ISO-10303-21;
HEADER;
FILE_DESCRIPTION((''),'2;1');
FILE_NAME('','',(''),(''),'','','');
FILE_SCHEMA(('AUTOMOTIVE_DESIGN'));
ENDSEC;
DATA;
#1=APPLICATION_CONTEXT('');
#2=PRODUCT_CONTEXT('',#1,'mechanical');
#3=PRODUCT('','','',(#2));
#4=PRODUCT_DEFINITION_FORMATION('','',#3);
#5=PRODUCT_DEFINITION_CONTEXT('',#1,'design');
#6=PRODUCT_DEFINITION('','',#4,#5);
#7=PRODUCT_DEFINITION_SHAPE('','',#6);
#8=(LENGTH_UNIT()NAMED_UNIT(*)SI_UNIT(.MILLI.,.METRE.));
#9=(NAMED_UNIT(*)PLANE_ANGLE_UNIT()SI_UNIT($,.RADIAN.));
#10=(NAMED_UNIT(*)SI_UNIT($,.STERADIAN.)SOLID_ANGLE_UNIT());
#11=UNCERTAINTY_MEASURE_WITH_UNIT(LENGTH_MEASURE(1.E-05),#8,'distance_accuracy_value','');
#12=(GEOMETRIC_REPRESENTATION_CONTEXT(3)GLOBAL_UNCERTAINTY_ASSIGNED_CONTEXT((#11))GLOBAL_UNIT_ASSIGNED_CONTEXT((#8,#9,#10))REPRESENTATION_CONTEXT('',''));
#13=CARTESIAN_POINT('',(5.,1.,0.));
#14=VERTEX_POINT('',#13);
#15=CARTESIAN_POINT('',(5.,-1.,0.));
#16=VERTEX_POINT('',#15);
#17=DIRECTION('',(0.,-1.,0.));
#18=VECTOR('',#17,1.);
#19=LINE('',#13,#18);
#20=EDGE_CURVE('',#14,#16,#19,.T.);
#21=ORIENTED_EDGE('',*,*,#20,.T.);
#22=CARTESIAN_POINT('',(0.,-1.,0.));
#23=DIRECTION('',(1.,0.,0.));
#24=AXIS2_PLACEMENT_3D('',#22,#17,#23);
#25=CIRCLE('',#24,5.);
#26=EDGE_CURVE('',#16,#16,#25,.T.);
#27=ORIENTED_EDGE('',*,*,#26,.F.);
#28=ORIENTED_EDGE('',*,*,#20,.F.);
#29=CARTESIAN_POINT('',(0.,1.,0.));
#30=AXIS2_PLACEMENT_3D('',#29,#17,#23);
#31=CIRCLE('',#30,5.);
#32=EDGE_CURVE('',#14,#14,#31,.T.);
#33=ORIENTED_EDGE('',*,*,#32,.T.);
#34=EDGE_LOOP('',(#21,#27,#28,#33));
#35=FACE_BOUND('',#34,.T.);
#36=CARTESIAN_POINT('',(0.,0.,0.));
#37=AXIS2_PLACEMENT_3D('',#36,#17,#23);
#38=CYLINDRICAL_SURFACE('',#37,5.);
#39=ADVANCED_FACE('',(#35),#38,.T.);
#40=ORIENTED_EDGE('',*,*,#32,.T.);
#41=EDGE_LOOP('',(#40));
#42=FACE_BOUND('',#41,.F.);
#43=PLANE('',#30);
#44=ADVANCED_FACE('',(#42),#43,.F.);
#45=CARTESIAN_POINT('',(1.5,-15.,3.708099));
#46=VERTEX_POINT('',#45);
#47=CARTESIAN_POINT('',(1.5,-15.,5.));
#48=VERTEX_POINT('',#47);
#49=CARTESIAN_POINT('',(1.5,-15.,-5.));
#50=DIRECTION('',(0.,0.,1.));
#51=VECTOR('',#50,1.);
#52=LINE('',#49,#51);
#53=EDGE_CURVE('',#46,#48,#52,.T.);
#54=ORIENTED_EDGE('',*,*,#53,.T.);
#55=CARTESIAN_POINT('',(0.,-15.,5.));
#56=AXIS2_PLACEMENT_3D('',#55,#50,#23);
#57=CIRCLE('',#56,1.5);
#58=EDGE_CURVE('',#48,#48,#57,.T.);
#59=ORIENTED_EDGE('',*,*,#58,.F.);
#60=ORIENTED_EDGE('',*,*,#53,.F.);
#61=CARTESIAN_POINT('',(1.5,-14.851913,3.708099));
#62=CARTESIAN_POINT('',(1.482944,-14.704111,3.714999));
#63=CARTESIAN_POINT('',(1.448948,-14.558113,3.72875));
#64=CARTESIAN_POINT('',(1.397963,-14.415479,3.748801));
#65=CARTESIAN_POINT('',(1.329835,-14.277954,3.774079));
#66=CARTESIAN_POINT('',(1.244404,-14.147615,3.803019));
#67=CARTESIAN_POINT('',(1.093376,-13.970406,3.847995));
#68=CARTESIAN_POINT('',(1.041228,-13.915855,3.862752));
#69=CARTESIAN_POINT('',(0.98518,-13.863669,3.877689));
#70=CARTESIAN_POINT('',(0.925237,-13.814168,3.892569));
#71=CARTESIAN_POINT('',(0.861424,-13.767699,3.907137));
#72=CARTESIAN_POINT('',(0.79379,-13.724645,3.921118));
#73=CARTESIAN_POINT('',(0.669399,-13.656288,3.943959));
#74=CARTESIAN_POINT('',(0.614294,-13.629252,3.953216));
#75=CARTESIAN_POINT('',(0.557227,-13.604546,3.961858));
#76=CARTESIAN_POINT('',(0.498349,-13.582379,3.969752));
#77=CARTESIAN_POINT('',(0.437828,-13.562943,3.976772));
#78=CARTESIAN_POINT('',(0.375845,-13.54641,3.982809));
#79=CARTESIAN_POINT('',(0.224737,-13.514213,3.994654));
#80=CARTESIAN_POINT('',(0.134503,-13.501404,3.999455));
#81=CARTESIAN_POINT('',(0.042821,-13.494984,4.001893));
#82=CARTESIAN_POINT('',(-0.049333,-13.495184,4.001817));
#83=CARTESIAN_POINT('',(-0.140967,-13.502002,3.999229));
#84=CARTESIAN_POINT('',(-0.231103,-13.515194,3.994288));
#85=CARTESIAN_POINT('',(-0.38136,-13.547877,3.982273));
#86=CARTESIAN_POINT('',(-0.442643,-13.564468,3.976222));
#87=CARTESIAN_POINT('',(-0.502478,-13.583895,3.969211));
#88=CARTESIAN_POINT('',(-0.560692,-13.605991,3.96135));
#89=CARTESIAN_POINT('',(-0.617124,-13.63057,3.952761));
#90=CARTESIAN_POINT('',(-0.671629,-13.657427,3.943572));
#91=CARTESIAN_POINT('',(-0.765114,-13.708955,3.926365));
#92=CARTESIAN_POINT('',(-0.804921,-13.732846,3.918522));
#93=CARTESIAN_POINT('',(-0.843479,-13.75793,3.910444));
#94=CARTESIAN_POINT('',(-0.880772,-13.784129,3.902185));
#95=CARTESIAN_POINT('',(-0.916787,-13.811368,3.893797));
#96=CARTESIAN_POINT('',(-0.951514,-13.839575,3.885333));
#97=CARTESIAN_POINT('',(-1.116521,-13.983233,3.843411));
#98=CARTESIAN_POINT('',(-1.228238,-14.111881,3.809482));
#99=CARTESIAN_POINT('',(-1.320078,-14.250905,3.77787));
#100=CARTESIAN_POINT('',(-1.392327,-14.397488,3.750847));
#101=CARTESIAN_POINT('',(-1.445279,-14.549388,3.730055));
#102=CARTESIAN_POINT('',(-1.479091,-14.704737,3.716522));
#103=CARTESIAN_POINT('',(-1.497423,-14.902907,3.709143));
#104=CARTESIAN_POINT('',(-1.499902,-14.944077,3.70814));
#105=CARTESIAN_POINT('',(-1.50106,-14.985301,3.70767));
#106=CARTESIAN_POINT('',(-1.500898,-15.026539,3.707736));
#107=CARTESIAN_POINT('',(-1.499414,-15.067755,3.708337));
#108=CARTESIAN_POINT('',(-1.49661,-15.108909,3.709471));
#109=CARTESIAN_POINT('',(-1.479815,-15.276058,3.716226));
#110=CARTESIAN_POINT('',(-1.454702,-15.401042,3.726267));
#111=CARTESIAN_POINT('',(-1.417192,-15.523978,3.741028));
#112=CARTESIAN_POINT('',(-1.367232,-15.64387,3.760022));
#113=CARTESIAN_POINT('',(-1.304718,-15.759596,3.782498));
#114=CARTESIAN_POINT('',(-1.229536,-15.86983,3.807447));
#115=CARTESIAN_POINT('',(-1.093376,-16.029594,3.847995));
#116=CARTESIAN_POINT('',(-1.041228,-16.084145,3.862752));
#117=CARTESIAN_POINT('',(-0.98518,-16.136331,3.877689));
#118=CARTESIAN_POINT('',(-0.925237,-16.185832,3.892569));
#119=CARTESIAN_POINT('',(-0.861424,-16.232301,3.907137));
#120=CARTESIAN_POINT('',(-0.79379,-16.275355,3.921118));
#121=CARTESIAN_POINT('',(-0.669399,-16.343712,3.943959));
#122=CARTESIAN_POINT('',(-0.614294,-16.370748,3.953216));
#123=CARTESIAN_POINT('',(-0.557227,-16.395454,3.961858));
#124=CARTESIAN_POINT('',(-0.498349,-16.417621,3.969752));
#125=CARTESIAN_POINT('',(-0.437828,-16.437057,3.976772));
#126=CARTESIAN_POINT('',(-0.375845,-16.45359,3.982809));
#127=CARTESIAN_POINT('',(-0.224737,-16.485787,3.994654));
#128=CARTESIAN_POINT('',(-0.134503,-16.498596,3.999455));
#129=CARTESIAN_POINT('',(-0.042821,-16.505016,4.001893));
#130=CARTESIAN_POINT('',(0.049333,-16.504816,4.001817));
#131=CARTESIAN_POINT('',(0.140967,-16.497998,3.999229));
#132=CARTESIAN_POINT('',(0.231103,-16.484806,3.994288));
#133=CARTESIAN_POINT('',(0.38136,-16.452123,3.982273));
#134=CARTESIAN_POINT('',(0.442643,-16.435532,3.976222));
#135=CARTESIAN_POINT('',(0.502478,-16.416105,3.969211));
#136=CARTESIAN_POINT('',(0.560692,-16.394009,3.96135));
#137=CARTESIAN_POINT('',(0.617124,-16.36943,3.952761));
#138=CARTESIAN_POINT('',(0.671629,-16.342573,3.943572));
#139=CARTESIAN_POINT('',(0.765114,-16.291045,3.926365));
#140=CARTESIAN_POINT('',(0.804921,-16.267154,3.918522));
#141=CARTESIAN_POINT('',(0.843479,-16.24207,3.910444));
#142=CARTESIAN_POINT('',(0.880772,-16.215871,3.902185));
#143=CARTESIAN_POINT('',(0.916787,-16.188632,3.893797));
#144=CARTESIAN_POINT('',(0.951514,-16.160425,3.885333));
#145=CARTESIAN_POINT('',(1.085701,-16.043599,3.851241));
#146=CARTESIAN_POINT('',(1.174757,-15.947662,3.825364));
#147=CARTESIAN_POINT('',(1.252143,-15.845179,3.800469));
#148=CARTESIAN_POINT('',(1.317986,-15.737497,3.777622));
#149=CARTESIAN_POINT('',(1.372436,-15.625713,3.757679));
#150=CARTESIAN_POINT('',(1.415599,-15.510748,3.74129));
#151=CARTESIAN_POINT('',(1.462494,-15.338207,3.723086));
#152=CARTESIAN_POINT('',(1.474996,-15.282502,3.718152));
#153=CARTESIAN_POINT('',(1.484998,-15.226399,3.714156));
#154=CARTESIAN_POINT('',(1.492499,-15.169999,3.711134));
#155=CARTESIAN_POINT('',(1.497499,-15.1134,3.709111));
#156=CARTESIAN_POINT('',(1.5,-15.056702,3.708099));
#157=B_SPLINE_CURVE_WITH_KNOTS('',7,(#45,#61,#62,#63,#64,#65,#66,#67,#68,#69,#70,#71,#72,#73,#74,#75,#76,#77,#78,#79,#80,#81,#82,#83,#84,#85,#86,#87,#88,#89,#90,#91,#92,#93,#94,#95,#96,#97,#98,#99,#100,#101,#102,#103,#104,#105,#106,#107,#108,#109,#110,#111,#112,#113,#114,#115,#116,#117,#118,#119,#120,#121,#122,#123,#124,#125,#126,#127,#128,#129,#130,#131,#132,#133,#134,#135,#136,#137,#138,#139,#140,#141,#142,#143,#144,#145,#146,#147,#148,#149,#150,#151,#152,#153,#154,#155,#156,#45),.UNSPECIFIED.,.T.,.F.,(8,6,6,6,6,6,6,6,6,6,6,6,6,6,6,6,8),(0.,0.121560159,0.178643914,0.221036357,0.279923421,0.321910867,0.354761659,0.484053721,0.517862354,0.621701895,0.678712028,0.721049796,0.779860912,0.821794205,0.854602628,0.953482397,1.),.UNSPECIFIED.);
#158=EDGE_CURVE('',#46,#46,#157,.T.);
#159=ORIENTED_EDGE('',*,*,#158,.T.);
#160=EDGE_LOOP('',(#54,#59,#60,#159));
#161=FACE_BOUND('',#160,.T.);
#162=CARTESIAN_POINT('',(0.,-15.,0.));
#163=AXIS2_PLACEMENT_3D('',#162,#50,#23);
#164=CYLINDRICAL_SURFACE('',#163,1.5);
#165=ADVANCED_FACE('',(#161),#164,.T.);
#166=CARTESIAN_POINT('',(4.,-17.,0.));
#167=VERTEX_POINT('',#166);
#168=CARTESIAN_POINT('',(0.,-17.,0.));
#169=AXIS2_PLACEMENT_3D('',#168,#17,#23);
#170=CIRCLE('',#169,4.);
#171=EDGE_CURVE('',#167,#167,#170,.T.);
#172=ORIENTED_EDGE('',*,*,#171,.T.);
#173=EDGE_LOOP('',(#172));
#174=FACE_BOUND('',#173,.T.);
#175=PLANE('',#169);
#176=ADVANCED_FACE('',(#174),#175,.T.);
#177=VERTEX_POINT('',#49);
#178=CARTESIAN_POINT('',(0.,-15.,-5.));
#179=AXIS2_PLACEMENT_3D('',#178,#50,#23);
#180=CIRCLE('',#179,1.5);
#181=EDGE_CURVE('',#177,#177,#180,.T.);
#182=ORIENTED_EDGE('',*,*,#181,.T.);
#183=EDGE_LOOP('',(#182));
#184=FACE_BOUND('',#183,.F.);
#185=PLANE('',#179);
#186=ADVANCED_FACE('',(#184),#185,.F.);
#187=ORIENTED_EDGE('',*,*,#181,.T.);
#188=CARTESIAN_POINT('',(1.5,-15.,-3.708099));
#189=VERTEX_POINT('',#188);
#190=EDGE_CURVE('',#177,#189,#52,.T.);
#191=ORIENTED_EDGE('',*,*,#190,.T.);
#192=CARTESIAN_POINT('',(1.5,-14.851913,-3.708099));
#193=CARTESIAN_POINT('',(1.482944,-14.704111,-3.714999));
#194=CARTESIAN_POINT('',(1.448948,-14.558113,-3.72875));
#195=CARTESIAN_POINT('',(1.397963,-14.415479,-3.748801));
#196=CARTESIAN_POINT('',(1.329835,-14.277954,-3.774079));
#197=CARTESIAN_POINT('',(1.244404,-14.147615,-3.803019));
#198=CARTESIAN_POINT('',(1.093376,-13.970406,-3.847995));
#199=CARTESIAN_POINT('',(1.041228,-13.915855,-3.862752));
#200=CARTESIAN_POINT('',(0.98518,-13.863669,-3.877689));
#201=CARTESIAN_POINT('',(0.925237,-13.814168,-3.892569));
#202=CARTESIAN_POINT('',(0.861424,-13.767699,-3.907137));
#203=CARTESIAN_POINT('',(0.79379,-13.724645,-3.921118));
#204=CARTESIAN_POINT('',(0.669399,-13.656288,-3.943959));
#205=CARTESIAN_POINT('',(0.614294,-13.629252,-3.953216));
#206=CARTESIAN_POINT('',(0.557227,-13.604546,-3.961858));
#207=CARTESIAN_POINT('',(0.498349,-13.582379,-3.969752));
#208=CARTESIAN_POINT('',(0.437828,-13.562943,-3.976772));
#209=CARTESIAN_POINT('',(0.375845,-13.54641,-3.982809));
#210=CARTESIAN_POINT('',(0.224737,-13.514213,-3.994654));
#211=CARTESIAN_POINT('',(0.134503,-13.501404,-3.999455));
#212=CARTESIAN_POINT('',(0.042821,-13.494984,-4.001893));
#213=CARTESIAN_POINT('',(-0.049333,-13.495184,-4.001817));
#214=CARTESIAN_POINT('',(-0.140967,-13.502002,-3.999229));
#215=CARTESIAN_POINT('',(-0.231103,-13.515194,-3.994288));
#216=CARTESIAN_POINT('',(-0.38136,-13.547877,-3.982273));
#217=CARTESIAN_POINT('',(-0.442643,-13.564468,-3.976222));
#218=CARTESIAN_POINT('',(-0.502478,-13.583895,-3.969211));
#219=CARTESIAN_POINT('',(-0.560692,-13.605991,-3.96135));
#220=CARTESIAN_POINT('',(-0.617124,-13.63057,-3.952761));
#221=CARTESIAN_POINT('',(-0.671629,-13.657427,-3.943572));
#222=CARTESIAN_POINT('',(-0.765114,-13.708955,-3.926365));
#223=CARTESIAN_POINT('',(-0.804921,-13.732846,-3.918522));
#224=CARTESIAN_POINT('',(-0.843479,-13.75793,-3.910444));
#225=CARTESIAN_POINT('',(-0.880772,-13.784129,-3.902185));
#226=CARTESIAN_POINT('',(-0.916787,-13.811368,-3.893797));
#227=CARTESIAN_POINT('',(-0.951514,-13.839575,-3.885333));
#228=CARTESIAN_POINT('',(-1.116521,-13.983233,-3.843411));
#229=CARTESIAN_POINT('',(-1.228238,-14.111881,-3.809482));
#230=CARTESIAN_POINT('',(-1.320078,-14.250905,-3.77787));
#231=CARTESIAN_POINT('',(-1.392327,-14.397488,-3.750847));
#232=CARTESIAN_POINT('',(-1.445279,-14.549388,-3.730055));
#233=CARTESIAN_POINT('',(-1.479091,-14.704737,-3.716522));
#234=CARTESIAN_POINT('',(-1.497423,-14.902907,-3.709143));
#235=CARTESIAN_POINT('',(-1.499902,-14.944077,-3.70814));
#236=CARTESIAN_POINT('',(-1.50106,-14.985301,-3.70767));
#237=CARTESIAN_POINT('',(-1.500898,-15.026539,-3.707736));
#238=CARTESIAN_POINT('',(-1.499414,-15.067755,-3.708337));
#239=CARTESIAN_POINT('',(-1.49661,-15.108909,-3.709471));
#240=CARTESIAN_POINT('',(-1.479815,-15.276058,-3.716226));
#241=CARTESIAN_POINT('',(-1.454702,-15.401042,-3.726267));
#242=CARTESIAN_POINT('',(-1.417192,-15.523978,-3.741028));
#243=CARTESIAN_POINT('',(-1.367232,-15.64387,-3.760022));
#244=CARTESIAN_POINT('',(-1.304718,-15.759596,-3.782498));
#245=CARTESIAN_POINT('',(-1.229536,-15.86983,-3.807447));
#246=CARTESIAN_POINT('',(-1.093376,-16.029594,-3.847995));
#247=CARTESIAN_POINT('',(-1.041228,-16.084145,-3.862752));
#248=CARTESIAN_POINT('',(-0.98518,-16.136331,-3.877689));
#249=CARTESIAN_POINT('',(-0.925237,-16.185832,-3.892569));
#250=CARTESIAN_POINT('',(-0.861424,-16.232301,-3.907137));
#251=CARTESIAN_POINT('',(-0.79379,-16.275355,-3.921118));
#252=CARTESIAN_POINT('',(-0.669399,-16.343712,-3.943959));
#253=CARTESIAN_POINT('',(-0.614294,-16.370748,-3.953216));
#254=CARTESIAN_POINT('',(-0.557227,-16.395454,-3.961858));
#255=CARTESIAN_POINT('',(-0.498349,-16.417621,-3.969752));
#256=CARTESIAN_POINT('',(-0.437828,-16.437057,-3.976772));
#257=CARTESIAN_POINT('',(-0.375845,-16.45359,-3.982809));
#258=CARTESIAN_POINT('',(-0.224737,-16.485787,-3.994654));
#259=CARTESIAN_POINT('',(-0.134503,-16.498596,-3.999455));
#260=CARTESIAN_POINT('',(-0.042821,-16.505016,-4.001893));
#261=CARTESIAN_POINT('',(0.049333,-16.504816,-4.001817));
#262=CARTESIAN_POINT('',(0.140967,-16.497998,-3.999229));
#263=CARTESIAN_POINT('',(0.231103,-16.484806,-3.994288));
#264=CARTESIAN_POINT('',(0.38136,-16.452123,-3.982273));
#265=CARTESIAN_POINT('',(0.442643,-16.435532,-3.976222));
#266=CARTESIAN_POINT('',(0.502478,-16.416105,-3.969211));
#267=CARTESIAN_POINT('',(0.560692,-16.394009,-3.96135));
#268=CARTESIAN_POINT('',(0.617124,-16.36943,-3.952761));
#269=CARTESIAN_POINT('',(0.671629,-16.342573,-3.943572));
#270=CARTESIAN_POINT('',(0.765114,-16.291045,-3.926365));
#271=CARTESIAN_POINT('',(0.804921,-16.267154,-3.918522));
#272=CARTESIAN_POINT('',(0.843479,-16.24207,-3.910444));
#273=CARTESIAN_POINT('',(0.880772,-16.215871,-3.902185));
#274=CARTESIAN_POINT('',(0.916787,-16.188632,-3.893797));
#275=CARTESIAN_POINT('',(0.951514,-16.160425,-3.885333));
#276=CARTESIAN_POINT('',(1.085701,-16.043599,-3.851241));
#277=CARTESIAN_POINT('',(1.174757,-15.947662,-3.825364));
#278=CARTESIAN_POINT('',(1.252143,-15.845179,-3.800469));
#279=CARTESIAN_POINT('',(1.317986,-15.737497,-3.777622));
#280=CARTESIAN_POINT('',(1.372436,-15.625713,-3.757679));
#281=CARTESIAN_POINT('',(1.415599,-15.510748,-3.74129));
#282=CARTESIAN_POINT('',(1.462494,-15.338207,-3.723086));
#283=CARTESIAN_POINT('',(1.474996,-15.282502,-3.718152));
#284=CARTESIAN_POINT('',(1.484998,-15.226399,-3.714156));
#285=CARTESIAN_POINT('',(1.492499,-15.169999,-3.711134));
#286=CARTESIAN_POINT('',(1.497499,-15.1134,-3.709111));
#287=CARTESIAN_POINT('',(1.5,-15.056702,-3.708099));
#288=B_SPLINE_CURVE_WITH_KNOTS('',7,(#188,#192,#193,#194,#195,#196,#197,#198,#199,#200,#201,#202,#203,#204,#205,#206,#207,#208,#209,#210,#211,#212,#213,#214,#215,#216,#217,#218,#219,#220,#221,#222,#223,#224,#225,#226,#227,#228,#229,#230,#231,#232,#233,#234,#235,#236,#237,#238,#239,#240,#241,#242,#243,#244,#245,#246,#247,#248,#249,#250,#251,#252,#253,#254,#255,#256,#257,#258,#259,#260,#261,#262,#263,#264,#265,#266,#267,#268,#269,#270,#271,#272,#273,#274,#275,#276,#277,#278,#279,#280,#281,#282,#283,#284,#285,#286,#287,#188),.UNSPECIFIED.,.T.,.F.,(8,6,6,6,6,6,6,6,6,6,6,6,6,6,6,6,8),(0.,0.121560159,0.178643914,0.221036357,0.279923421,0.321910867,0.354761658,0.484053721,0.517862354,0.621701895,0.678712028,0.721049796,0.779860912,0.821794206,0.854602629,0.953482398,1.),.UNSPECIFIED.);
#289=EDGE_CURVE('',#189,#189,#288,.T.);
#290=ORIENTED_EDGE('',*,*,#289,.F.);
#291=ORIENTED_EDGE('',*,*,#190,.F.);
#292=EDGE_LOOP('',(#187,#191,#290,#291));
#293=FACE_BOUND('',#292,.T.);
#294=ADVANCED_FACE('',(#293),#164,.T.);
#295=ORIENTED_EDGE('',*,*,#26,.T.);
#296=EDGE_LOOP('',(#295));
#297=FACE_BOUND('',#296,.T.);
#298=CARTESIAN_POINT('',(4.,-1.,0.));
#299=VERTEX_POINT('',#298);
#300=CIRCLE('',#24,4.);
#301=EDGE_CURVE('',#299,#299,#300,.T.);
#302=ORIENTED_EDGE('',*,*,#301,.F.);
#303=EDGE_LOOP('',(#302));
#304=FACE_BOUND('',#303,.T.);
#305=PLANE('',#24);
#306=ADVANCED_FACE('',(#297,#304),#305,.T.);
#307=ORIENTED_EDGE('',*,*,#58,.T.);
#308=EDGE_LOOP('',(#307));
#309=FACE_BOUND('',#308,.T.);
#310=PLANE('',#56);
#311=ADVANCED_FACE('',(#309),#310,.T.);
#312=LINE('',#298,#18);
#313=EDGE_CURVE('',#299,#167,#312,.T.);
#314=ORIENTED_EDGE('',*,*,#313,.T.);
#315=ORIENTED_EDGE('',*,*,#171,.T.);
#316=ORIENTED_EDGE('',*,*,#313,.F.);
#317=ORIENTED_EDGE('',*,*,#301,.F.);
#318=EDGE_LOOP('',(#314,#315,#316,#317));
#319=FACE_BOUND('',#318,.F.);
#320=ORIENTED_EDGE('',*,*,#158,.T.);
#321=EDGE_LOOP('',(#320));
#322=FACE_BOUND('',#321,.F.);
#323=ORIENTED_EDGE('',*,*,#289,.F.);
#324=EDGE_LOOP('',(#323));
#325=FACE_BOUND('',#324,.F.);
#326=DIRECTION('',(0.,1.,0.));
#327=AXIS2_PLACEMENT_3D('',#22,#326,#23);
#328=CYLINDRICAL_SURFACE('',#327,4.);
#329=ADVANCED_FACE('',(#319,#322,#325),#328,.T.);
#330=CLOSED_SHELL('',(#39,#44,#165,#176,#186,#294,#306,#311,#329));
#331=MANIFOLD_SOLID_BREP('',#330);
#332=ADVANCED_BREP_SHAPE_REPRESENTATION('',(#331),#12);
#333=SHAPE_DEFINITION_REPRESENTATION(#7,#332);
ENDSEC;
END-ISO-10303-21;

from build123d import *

# Parameters (mm, degrees)
F0_R     = 5
F1_DEPTH = 1
F2_R     = 4
F3_DEPTH = 16
F4_R     = 1.5
F5_DEPTH = 5


with BuildPart() as f1:
    # F0 (on Front) → F1 (new body, symmetric)
    with BuildSketch(Plane.XZ):
        Circle(F0_R)
    extrude(amount=F1_DEPTH, both=True)

    # F2 (on face) → F3 (join)
    with BuildSketch(Plane.XZ.offset(1)):
        Circle(F2_R)
    extrude(amount=F3_DEPTH)

    # F4 (on Top) → F5 (join, symmetric)
    with BuildSketch(Plane.XY):
        with Locations((0, -15)):
            Circle(F4_R)
    extrude(amount=F5_DEPTH, both=True)


solid = f1.part
